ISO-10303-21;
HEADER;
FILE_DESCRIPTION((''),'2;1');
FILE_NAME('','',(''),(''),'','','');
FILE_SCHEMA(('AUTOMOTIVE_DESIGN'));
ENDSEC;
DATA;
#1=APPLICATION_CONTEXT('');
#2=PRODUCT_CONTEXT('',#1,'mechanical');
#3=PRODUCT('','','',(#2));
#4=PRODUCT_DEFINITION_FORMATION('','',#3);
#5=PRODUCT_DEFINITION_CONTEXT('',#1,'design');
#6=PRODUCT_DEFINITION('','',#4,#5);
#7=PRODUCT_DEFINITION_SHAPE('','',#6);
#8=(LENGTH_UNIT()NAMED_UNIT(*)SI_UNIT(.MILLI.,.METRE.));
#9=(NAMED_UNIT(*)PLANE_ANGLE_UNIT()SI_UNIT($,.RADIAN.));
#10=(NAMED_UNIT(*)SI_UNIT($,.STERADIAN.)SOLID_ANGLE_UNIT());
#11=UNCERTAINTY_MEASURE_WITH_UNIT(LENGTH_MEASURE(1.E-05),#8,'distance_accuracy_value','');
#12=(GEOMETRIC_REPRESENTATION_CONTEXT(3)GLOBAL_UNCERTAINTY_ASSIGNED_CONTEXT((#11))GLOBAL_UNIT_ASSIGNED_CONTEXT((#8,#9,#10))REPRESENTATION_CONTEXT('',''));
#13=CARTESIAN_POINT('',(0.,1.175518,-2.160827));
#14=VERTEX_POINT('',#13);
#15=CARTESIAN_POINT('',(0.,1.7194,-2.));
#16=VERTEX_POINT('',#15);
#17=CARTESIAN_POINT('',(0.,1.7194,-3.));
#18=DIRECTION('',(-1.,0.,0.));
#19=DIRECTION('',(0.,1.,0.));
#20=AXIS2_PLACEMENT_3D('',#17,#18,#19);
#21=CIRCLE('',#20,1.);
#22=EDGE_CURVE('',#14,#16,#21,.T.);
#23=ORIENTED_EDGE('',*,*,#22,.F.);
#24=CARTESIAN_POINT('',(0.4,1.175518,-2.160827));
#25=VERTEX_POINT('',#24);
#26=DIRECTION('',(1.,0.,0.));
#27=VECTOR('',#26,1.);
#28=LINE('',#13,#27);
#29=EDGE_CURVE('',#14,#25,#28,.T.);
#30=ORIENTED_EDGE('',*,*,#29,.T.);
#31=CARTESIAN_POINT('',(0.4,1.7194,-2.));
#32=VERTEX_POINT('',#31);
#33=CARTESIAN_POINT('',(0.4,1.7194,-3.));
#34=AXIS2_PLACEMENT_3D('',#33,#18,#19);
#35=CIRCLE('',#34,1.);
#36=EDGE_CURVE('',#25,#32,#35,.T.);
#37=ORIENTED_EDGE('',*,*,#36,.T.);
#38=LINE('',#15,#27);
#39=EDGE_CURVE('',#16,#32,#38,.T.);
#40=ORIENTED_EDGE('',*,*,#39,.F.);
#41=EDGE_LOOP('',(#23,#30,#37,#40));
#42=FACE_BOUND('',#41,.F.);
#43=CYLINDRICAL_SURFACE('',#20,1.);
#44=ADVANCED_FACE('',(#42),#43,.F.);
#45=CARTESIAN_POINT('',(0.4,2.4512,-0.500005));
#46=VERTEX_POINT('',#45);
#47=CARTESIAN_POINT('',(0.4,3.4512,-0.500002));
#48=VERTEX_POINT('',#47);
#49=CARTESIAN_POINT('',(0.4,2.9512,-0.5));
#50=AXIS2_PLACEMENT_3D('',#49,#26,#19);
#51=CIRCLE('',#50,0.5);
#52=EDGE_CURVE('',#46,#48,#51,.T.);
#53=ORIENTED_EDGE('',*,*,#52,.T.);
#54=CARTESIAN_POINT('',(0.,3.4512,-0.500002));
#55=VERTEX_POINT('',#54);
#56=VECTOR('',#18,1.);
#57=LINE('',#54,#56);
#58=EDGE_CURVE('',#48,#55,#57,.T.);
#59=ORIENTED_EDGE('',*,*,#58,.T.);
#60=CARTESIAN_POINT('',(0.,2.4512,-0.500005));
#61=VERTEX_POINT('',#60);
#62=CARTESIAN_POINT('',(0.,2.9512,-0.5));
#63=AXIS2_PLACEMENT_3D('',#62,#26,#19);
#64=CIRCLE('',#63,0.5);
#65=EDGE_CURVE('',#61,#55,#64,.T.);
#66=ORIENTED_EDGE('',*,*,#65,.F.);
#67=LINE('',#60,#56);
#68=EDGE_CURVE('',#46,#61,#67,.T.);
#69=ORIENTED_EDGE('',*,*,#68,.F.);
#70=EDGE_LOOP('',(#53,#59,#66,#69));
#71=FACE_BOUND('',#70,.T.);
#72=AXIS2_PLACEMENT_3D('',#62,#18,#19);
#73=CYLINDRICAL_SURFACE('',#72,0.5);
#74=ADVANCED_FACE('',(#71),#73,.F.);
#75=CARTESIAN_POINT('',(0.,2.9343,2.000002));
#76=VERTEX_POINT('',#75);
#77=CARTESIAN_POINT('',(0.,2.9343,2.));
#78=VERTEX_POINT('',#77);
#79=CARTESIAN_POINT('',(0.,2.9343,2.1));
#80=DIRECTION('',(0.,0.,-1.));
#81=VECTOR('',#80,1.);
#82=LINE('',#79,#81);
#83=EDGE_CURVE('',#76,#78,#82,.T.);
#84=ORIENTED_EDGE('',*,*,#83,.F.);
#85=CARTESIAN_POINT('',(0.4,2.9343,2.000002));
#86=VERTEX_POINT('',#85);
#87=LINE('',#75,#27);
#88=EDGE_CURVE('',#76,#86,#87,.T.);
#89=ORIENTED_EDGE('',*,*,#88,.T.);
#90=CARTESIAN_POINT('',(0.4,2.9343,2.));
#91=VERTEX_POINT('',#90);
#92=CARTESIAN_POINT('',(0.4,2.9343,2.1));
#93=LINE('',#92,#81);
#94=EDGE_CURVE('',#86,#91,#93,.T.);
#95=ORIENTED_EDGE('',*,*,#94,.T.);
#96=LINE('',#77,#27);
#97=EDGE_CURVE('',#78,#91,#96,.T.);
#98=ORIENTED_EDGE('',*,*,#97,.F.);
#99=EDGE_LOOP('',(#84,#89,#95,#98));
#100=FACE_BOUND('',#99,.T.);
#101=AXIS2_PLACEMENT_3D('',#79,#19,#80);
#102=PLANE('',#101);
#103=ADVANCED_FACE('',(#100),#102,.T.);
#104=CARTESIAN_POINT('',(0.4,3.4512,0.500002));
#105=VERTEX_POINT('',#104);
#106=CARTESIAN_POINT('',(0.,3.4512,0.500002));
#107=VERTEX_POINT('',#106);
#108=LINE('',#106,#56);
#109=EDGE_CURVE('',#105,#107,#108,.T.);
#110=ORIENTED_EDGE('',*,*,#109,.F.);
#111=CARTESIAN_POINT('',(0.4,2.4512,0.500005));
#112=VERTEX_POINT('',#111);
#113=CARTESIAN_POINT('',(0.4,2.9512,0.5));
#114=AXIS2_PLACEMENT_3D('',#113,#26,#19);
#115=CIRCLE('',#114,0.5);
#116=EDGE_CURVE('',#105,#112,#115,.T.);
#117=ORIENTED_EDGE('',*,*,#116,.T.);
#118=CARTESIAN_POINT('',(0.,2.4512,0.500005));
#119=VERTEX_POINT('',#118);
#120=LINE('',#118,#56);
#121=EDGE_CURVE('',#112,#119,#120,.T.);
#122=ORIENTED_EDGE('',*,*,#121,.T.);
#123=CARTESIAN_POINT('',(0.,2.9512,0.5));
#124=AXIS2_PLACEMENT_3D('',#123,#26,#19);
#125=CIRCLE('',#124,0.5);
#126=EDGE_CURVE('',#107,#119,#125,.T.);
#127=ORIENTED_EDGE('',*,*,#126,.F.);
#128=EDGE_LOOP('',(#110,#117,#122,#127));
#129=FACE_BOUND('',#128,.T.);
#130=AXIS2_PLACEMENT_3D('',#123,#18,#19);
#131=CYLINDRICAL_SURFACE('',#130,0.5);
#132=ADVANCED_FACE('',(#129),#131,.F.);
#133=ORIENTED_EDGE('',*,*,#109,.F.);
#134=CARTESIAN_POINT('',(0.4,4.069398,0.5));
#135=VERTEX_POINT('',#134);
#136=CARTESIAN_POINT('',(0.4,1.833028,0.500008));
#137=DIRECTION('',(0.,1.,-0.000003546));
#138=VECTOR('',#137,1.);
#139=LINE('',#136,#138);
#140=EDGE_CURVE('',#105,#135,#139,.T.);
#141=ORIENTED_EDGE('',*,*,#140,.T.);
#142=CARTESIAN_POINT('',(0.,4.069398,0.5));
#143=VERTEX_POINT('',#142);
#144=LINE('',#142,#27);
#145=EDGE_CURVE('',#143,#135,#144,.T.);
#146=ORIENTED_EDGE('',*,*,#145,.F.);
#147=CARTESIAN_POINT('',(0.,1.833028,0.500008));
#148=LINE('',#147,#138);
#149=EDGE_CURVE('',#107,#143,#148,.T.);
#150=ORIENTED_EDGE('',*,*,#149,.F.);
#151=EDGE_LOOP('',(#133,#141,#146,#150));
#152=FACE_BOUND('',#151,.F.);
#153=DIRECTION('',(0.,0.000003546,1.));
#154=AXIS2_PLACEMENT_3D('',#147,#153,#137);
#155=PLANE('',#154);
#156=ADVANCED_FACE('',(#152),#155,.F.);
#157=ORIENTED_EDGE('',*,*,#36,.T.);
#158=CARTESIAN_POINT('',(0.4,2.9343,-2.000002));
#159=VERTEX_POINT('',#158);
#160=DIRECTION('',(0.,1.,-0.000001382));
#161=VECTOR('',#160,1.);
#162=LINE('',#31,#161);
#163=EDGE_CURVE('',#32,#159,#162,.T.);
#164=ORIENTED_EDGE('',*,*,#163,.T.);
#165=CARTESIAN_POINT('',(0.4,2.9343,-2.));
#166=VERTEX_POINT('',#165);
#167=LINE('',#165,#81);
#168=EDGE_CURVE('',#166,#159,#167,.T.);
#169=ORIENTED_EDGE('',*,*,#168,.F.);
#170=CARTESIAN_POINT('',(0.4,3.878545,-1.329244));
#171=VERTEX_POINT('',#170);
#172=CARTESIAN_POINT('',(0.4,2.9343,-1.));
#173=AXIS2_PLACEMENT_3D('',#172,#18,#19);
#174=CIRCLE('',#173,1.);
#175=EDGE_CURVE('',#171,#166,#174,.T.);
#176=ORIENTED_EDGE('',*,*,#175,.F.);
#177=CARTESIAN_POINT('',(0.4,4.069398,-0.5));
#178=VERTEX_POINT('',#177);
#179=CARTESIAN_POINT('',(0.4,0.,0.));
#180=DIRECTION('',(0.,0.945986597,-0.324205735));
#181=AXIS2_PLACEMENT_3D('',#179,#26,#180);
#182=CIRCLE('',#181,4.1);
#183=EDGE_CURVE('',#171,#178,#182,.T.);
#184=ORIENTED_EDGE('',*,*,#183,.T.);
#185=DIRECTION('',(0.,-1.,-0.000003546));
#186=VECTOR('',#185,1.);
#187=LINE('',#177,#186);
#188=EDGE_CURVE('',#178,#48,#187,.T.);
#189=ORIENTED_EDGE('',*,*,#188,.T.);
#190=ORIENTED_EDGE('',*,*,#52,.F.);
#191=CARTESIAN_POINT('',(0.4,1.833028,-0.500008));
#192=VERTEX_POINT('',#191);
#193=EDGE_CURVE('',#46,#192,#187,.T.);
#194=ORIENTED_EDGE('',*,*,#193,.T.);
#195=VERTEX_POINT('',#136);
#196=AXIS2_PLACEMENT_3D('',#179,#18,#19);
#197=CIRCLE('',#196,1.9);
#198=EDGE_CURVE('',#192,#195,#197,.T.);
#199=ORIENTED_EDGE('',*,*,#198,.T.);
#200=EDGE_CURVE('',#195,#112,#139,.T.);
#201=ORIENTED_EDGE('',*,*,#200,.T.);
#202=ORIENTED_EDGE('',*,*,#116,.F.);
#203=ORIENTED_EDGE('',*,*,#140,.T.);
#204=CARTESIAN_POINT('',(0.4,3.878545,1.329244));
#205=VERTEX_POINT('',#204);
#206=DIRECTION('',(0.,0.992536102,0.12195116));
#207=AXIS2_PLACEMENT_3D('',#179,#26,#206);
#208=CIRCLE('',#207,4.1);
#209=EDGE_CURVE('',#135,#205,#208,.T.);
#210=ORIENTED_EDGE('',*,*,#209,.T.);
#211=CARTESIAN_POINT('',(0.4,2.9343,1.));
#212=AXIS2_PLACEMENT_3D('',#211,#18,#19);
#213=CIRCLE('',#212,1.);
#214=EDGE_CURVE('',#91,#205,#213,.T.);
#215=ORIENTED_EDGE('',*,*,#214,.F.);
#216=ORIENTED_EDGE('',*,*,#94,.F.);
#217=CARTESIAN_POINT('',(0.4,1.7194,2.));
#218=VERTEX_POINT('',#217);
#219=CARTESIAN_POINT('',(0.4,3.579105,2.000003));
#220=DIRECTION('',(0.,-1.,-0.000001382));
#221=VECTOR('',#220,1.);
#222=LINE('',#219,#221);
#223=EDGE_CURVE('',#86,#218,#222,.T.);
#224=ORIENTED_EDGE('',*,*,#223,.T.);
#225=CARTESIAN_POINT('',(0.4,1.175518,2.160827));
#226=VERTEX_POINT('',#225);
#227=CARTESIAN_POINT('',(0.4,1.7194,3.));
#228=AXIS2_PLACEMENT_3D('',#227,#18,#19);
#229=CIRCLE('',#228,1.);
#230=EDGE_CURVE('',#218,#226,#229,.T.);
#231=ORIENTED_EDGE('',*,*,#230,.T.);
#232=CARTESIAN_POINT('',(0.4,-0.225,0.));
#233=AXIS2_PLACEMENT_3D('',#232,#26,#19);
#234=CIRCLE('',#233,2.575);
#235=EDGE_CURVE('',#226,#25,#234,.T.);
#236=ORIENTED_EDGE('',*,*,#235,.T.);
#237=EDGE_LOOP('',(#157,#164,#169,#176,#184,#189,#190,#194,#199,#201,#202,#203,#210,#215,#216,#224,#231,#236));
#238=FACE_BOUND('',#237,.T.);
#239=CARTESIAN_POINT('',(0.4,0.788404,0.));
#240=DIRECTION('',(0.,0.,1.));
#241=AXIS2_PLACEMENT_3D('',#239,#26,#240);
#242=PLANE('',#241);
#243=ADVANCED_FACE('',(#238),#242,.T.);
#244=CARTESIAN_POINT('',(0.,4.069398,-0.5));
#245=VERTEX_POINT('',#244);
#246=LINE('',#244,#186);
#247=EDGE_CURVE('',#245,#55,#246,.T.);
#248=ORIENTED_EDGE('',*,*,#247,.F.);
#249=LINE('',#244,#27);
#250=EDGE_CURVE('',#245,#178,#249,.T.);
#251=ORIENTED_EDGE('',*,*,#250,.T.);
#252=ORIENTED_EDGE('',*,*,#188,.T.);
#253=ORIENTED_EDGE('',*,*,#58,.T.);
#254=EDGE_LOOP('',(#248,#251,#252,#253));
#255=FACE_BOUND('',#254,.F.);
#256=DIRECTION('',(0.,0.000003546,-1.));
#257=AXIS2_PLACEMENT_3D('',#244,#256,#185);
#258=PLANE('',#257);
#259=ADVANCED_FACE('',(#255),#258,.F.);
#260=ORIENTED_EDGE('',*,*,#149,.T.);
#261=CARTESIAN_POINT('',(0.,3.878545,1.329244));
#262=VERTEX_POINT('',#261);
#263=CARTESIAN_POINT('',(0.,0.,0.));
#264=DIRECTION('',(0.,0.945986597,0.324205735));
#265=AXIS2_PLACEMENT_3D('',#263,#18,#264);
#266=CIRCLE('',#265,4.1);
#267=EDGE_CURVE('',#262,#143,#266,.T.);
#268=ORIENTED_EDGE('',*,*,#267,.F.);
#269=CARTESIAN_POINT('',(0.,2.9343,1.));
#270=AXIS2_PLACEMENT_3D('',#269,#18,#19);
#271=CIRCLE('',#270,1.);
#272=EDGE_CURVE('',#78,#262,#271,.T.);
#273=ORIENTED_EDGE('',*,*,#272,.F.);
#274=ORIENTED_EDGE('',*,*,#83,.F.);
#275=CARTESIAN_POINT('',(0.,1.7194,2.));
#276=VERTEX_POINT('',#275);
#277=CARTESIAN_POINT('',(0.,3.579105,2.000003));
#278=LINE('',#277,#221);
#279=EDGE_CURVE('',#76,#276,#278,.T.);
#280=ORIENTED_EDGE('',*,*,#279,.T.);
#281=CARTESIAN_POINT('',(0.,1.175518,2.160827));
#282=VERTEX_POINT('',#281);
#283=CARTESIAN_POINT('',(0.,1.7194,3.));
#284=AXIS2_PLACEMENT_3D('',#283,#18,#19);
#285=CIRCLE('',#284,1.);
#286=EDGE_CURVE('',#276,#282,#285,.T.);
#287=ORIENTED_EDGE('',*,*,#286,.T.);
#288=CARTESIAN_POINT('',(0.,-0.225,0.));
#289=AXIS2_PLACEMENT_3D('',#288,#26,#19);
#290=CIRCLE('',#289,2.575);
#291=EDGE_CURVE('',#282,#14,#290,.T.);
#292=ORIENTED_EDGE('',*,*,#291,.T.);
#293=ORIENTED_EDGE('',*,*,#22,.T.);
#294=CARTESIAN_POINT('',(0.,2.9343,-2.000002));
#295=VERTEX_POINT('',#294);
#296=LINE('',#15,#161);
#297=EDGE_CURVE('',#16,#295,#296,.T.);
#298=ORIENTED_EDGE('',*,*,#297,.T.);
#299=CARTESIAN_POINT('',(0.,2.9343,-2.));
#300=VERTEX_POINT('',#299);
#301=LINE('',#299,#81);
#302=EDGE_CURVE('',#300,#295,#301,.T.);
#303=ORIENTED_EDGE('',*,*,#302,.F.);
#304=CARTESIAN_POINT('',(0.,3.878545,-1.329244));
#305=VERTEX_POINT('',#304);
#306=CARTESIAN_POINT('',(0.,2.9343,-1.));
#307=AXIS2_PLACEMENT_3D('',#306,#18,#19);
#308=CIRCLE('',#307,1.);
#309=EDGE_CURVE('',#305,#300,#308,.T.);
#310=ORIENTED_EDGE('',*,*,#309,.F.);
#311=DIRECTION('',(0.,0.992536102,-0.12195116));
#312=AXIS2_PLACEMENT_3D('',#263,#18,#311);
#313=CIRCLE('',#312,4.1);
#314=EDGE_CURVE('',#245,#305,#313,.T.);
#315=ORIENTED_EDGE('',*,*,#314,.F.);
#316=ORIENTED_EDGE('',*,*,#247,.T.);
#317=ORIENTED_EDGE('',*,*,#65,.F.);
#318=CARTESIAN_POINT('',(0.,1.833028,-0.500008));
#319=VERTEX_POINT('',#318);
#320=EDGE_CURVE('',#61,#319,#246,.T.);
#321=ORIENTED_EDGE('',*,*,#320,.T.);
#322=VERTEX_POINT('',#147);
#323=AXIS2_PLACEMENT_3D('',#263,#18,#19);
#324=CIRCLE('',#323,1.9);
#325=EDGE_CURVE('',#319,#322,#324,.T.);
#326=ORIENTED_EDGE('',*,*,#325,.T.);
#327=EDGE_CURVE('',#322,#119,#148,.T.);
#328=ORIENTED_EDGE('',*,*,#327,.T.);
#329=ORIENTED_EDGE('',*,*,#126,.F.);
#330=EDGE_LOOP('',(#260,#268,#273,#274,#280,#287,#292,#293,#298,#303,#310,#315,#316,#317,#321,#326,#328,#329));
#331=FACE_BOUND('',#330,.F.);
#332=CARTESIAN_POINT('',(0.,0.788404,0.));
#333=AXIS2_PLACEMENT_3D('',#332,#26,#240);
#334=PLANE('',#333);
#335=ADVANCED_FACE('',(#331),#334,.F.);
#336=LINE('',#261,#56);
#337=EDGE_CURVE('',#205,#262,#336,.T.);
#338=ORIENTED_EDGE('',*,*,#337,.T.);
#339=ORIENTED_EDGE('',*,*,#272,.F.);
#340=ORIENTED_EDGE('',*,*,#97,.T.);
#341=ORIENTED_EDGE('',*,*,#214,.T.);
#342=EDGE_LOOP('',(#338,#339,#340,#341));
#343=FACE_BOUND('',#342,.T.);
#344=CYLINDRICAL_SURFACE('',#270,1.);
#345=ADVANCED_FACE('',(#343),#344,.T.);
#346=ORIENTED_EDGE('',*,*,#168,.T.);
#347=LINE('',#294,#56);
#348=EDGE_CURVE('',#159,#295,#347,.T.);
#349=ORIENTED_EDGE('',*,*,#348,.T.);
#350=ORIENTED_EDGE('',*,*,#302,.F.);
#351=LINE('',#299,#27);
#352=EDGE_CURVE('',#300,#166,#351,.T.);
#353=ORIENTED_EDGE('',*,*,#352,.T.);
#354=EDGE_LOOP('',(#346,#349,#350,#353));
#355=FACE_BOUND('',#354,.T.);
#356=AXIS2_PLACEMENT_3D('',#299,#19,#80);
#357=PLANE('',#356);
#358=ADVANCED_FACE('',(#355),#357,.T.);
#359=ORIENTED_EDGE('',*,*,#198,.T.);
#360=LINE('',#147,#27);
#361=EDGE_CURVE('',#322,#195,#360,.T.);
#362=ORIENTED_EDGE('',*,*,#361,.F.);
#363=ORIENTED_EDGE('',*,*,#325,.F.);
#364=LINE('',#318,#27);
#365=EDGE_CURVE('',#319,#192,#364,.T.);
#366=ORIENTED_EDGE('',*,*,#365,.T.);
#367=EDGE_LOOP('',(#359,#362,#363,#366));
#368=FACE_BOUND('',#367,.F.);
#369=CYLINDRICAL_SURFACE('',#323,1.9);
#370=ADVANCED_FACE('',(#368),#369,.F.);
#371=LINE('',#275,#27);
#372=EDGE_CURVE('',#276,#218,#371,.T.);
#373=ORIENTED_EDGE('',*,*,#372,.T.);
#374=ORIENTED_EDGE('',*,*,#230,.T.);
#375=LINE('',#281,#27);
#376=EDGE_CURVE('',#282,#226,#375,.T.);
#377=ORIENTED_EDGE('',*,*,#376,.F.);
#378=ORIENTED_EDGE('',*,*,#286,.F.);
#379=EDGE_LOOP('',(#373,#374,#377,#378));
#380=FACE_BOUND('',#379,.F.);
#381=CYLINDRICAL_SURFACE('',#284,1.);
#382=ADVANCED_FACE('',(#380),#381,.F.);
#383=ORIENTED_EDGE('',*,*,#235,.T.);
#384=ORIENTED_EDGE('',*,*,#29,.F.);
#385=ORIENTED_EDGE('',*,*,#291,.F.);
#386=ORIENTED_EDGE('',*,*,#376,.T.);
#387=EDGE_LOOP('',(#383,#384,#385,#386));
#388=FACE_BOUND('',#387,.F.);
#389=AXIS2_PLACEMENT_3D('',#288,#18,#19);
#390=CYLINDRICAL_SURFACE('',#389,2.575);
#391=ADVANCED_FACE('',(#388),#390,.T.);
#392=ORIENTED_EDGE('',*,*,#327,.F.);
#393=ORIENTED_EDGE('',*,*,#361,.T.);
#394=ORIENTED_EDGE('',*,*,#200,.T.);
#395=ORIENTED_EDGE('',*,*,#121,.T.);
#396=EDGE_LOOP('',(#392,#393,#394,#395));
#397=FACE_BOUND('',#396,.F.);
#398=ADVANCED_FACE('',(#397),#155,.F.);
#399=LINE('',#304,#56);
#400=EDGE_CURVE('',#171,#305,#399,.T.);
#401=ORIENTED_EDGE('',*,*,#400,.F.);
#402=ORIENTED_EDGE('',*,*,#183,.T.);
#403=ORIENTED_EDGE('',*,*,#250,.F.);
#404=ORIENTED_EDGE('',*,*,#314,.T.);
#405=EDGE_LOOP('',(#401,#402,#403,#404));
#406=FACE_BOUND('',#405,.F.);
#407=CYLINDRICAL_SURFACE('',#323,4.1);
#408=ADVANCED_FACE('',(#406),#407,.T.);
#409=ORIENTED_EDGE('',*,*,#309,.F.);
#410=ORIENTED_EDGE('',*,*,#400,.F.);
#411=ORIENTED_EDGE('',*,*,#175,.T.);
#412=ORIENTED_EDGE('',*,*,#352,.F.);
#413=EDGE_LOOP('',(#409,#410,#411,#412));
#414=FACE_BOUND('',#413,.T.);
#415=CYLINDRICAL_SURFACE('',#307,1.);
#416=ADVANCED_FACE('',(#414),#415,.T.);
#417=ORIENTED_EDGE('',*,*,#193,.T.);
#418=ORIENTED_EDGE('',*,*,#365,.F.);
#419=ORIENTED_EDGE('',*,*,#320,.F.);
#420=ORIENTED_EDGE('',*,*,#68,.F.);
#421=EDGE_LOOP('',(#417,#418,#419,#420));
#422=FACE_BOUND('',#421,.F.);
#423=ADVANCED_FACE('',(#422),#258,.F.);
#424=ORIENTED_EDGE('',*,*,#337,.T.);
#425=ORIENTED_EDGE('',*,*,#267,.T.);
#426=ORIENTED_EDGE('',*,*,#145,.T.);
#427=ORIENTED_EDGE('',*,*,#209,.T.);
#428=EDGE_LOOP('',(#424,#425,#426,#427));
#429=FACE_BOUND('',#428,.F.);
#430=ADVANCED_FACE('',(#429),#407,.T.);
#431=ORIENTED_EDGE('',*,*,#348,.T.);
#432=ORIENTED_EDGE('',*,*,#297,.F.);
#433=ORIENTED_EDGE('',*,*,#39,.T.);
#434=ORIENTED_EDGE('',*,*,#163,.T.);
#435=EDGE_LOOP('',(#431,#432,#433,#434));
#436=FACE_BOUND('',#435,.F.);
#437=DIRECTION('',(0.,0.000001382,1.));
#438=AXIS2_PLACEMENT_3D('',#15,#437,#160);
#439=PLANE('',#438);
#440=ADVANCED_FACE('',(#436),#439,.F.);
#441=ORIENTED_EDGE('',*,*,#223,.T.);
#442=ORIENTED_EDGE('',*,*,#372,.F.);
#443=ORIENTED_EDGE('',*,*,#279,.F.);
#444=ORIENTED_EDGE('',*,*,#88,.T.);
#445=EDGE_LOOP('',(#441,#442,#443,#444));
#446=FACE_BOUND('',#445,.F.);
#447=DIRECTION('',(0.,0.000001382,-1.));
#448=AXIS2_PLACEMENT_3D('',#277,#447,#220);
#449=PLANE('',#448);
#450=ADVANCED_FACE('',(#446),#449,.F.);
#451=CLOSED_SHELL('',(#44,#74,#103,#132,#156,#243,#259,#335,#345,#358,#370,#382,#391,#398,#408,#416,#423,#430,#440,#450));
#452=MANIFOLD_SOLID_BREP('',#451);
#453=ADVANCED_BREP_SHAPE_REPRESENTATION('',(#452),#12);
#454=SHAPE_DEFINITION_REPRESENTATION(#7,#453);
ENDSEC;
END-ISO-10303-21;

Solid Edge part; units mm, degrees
sketch "Sketch1" plane through (0, 0, 0) normal (1, 0, 0) x (0, 1, 0)
  arc A0 (1.1755, 2.1608) -> (1.1755, -2.1608) centre (-0.225, 0) ccw
  arc A1 (1.1755, -2.1608) -> (1.7194, -2) centre (1.7194, -3) cw
  line L0 (1.7194, -2) -> (3.5791, -2)
  arc A2 (3.5791, -2) -> (4.0694, -0.5) centre (0, 0) ccw
  line L1 (4.0694, -0.5) -> (1.833, -0.5)
  arc A3 (1.833, -0.5) -> (1.833, 0.5) centre (0, 0) cw
  line L2 (1.833, 0.5) -> (4.0694, 0.5)
  arc A4 (4.0694, 0.5) -> (3.5791, 2) centre (0, 0) ccw
  line L3 (3.5791, 2) -> (1.7194, 2)
  arc A5 (1.7194, 2) -> (1.1755, 2.1608) centre (1.7194, 3) cw
extrude "Protrusion1" add sketch "Sketch1" along normal blind 0.4
sketch "Sketch2" plane through (0, 0, 0) normal (1, 0, 0) x (0, 1, 0)
  line L0 (4.8771, 2.1) -> (2.9343, 2.1)
  line L1 (2.9343, 2.1) -> (2.9343, 2)
  arc A0 (2.9343, 2) -> (3.8808, 1.3226) centre (2.9343, 1) cw
  arc A1 (3.8808, 1.3226) -> (4.0694, 0.5) centre (0, 0) cw
  line L2 (4.0694, 0.5) -> (4.0694, -0.5)
  arc A2 (4.0694, -0.5) -> (3.8808, -1.3226) centre (0, 0) cw
  arc A3 (3.8808, -1.3226) -> (2.9343, -2) centre (2.9343, -1) cw
  line L3 (2.9343, -2) -> (2.9343, -2.1)
  line L4 (2.9343, -2.1) -> (4.8771, -2.1)
  arc A4 (4.8771, -2.1) -> (4.8771, 2.1) centre (0, 0) ccw
extrude "Extrusionsausschnitt_1" cut sketch "Sketch2" along normal blind 0.4
sketch "Sketch3" plane through (0, 0, 0) normal (1, 0, 0) x (0, 1, 0)
  arc A0 (3.4512, 0.5) -> (2.4512, 0.5) centre (2.9512, 0.5) ccw
  line L0 (2.4512, 0.5) -> (2.4512, -0.5)
  arc A1 (2.4512, -0.5) -> (3.4512, -0.5) centre (2.9512, -0.5) ccw
  line L1 (3.4512, -0.5) -> (3.4512, 0.5)
extrude "Extrusionsausschnitt_2" cut sketch "Sketch3" along normal blind 0.4
properties part number "Retaining ring DIN 471 4x0.4 36000.004.001(High)"
